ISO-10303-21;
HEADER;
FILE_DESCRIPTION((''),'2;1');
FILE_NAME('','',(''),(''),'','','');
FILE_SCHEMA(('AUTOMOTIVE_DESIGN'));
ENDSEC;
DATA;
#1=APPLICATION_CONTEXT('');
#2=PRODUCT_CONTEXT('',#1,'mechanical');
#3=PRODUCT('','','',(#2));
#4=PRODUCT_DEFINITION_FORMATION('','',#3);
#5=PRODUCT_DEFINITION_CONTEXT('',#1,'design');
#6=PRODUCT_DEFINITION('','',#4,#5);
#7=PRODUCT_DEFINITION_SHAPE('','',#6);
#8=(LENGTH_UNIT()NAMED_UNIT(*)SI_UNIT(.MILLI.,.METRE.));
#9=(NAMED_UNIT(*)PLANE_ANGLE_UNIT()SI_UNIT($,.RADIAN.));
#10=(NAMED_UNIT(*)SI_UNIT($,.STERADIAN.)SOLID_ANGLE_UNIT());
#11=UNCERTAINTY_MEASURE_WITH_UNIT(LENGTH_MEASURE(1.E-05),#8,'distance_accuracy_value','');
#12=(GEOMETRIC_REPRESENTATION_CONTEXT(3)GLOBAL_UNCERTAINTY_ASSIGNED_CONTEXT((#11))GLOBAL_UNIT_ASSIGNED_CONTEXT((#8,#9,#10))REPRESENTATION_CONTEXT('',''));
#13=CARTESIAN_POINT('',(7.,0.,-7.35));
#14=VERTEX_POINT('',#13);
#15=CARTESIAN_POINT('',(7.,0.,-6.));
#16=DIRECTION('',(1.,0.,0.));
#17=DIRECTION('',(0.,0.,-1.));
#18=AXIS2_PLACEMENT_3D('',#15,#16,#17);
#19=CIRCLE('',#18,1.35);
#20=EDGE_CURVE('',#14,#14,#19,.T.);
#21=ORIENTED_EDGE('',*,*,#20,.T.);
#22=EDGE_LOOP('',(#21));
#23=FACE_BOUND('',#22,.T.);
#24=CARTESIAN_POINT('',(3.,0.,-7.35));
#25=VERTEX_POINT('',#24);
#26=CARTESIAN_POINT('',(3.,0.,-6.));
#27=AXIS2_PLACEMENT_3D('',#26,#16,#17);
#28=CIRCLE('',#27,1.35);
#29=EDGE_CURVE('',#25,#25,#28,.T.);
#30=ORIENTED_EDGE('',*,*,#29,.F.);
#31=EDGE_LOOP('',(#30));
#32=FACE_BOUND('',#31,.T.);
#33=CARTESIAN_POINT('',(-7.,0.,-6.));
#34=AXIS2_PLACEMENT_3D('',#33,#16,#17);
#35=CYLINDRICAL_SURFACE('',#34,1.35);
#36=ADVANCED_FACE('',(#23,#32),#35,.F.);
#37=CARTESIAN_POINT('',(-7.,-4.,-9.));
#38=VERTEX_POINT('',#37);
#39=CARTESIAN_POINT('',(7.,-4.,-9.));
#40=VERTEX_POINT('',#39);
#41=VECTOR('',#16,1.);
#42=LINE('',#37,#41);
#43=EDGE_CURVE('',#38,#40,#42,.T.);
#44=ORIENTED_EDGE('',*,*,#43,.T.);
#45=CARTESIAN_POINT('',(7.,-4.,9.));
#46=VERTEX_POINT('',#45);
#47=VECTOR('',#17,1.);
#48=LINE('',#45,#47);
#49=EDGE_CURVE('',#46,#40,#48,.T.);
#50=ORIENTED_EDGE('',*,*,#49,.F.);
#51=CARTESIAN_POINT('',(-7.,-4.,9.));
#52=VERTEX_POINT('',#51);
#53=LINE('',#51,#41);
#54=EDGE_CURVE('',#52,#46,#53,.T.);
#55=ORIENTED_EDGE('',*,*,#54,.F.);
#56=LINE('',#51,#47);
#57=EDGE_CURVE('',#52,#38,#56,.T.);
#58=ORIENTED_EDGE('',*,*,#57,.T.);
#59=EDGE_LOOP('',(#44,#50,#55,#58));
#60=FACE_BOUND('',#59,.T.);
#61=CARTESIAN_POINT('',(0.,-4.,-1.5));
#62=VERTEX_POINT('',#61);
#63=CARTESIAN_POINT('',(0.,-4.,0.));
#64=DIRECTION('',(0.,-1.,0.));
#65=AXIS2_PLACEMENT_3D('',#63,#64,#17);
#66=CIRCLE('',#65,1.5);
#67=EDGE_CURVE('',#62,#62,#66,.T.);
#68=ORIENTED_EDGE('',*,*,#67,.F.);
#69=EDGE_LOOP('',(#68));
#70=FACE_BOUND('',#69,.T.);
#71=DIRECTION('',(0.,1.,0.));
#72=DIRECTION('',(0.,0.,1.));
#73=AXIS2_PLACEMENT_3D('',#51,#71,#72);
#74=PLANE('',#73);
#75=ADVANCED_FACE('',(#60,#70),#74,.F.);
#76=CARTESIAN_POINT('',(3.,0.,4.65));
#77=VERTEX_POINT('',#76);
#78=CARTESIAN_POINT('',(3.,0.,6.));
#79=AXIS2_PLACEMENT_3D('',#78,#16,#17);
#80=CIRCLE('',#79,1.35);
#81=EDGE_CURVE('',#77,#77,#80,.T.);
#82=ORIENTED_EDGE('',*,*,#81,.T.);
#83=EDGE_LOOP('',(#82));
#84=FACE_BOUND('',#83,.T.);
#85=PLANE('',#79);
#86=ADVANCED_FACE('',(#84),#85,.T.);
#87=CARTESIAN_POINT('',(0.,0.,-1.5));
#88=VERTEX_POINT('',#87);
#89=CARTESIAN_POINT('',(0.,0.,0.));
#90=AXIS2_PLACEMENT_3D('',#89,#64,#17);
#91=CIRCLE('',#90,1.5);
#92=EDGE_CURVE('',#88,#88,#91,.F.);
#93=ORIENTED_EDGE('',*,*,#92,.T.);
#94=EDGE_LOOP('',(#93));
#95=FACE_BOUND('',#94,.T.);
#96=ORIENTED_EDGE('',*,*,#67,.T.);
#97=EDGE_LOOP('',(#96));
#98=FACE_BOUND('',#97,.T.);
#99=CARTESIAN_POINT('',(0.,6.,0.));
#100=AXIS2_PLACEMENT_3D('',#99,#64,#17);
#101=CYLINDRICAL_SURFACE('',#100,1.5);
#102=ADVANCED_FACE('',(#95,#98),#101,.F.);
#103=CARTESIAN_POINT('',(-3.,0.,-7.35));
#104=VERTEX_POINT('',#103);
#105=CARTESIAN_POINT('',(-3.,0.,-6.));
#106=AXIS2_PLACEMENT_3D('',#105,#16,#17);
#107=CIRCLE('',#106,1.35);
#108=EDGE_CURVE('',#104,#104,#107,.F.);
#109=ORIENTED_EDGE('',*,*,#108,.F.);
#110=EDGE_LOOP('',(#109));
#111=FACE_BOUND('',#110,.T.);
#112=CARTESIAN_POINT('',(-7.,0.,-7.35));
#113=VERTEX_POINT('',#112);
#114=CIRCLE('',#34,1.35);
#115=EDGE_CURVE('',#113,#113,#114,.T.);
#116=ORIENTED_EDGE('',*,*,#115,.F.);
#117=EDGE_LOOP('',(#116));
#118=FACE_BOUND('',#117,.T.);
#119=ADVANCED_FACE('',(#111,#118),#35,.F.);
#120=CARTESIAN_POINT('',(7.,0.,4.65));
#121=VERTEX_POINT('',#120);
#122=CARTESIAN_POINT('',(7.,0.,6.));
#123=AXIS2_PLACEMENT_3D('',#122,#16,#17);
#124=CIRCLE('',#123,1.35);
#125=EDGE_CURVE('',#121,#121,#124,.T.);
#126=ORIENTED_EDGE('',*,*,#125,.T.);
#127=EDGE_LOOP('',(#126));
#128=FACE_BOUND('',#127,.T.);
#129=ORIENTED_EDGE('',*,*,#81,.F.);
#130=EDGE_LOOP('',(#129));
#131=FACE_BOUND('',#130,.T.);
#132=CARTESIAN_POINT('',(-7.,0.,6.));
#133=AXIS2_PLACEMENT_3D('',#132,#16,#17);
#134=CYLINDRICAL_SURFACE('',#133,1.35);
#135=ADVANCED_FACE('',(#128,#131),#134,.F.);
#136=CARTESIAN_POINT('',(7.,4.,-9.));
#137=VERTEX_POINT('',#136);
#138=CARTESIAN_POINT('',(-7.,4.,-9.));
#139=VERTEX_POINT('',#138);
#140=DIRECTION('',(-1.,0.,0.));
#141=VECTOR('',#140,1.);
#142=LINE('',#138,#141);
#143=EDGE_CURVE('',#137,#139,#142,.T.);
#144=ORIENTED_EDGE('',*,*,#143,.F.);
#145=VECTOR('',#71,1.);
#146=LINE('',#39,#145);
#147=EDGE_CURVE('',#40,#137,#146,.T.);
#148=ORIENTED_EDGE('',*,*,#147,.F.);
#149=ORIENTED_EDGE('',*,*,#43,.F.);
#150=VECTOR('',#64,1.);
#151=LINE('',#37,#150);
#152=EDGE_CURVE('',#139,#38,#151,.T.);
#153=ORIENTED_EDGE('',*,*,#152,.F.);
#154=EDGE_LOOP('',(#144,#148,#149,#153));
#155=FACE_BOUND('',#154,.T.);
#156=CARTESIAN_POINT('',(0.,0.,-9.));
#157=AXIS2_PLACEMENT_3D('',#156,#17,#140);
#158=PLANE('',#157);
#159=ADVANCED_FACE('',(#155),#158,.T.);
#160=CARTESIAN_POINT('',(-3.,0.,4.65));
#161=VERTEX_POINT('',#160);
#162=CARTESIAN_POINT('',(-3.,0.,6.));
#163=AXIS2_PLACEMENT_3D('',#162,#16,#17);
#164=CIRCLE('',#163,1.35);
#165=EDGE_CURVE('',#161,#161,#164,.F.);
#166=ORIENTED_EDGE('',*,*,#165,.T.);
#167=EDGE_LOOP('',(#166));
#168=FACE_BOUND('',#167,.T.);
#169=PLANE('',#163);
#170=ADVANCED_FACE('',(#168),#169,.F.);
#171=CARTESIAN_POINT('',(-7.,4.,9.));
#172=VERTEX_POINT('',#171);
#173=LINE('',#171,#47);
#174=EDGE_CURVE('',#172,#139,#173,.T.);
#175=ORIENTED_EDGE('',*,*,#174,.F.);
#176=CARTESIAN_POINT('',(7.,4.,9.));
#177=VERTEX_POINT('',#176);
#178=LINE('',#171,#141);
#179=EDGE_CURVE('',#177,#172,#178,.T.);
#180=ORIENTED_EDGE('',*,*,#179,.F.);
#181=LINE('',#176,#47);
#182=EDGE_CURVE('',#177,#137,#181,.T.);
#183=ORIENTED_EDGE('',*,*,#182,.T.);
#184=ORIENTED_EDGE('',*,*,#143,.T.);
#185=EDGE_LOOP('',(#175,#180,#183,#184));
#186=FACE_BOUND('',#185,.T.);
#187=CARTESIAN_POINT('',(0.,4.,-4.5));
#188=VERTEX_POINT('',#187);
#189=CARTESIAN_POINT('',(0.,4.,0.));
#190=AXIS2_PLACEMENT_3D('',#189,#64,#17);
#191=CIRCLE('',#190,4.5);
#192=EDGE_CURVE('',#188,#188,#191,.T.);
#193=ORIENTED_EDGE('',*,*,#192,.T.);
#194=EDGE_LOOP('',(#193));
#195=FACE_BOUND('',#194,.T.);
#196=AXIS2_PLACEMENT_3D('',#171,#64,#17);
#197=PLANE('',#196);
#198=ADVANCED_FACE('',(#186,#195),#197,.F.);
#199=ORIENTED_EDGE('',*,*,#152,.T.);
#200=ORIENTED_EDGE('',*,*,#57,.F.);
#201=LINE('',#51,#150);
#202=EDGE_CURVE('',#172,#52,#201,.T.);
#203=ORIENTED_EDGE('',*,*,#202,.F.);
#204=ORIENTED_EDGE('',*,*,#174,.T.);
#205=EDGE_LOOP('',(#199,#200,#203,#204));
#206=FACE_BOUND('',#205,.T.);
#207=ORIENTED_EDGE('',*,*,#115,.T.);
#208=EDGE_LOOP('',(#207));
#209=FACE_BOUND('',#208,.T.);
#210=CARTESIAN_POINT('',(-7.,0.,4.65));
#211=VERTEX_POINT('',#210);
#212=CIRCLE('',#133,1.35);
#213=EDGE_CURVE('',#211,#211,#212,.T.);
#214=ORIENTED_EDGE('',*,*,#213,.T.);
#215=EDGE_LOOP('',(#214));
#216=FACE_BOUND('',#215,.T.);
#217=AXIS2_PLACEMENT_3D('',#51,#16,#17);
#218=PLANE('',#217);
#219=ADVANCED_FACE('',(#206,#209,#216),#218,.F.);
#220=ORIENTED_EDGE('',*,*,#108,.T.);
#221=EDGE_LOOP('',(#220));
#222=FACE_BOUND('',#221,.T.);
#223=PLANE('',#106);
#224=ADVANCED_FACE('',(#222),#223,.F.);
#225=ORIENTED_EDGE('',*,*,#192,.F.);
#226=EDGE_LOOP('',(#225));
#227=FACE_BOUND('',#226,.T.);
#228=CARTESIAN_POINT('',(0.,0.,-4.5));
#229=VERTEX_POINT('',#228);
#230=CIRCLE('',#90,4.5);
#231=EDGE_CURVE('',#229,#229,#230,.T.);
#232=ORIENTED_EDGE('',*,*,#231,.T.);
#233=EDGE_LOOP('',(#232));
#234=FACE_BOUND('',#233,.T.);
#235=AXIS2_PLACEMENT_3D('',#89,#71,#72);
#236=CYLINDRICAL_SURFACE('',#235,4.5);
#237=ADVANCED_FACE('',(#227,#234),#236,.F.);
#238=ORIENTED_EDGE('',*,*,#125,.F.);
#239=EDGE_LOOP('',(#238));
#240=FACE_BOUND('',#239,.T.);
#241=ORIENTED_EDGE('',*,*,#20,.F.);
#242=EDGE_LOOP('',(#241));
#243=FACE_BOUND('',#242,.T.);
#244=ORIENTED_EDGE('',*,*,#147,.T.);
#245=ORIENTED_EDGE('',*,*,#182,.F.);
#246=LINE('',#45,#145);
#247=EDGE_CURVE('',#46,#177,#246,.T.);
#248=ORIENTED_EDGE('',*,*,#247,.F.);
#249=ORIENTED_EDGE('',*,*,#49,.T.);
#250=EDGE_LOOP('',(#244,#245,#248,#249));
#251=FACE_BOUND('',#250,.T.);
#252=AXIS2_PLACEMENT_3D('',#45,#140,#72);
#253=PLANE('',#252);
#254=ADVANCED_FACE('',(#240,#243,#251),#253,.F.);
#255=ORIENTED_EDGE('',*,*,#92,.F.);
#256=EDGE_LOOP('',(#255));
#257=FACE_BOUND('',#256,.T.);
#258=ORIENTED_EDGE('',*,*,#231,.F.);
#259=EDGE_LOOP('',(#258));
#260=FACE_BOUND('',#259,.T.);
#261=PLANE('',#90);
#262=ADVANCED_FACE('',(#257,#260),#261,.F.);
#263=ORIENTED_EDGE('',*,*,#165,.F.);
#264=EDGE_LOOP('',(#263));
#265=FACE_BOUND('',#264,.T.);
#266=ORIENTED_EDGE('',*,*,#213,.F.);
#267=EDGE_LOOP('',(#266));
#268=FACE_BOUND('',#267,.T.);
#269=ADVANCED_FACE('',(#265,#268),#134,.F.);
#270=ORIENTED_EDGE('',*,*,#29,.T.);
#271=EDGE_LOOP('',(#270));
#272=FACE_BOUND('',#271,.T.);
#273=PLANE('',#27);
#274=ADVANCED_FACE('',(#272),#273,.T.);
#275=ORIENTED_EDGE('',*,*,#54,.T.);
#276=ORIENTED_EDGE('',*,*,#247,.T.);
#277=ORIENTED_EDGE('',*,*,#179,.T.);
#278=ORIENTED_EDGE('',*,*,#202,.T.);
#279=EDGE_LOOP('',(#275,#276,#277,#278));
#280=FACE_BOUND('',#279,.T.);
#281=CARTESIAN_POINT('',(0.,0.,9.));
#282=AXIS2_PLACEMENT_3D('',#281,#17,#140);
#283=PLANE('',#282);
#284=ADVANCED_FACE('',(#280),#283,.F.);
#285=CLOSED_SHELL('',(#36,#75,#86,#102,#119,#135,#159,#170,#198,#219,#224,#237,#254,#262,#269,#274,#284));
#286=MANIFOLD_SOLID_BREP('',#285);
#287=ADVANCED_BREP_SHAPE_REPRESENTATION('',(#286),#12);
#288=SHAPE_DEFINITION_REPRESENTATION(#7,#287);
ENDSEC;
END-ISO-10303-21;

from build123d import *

# Parameters (mm, degrees)
SKETCH_2_W               = 14
SKETCH_2_H               = 8
EXTRUDE_2_DEPTH          = 9
CUT_EXTRUDE_1_DEPTH      = 13.083045974
CUT_EXTRUDE_1_DEPTH_BACK = 13.083045974
SKETCH_3_R               = 1.35
SKETCH_3_2_R             = 1.35
EXTRUDE_3_DEPTH          = 3
SKETCH_6_R               = 1.5
CUT_EXTRUDE_3_DEPTH      = 10
SKETCH_7_R               = 4.5
CUT_EXTRUDE_4_DEPTH      = 4


with BuildPart() as part:
    # 草图2 → 凸台-拉伸2 (new, symmetric)
    with BuildSketch(Plane.XY):
        Rectangle(SKETCH_2_W, SKETCH_2_H)
    extrude(amount=EXTRUDE_2_DEPTH, both=True)

    # 草图3 → 切除-拉伸1 (cut, two sides: drawn at the far end of the back side and taken through both)
    with BuildSketch(Plane(origin=(0, 0, 0), x_dir=(0, 0, -1), z_dir=(1, 0, 0)).offset(-CUT_EXTRUDE_1_DEPTH_BACK)):
        with Locations((6, 0)):
            Circle(SKETCH_3_R)
        with Locations((-6, 0)):
            Circle(SKETCH_3_R)
    extrude(amount=CUT_EXTRUDE_1_DEPTH + CUT_EXTRUDE_1_DEPTH_BACK, mode=Mode.SUBTRACT)

    # 草图3<2> → 凸台-拉伸3 (add, symmetric)
    with BuildSketch(Plane(origin=(0, 0, 0), x_dir=(0, 0, -1), z_dir=(1, 0, 0))):
        with Locations((6, 0)):
            Circle(SKETCH_3_2_R)
        with Locations((-6, 0)):
            Circle(SKETCH_3_2_R)
    extrude(amount=EXTRUDE_3_DEPTH, both=True)

    # 草图6 → 切除-拉伸3 (cut)
    with BuildSketch(Plane.XZ.offset(4)):
        Circle(SKETCH_6_R)
    extrude(amount=-CUT_EXTRUDE_3_DEPTH, mode=Mode.SUBTRACT)

    # 草图7 → 切除-拉伸4 (cut)
    with BuildSketch(Plane.XZ.offset(-4)):
        Circle(SKETCH_7_R)
    extrude(amount=CUT_EXTRUDE_4_DEPTH, mode=Mode.SUBTRACT)


solid = part.part
